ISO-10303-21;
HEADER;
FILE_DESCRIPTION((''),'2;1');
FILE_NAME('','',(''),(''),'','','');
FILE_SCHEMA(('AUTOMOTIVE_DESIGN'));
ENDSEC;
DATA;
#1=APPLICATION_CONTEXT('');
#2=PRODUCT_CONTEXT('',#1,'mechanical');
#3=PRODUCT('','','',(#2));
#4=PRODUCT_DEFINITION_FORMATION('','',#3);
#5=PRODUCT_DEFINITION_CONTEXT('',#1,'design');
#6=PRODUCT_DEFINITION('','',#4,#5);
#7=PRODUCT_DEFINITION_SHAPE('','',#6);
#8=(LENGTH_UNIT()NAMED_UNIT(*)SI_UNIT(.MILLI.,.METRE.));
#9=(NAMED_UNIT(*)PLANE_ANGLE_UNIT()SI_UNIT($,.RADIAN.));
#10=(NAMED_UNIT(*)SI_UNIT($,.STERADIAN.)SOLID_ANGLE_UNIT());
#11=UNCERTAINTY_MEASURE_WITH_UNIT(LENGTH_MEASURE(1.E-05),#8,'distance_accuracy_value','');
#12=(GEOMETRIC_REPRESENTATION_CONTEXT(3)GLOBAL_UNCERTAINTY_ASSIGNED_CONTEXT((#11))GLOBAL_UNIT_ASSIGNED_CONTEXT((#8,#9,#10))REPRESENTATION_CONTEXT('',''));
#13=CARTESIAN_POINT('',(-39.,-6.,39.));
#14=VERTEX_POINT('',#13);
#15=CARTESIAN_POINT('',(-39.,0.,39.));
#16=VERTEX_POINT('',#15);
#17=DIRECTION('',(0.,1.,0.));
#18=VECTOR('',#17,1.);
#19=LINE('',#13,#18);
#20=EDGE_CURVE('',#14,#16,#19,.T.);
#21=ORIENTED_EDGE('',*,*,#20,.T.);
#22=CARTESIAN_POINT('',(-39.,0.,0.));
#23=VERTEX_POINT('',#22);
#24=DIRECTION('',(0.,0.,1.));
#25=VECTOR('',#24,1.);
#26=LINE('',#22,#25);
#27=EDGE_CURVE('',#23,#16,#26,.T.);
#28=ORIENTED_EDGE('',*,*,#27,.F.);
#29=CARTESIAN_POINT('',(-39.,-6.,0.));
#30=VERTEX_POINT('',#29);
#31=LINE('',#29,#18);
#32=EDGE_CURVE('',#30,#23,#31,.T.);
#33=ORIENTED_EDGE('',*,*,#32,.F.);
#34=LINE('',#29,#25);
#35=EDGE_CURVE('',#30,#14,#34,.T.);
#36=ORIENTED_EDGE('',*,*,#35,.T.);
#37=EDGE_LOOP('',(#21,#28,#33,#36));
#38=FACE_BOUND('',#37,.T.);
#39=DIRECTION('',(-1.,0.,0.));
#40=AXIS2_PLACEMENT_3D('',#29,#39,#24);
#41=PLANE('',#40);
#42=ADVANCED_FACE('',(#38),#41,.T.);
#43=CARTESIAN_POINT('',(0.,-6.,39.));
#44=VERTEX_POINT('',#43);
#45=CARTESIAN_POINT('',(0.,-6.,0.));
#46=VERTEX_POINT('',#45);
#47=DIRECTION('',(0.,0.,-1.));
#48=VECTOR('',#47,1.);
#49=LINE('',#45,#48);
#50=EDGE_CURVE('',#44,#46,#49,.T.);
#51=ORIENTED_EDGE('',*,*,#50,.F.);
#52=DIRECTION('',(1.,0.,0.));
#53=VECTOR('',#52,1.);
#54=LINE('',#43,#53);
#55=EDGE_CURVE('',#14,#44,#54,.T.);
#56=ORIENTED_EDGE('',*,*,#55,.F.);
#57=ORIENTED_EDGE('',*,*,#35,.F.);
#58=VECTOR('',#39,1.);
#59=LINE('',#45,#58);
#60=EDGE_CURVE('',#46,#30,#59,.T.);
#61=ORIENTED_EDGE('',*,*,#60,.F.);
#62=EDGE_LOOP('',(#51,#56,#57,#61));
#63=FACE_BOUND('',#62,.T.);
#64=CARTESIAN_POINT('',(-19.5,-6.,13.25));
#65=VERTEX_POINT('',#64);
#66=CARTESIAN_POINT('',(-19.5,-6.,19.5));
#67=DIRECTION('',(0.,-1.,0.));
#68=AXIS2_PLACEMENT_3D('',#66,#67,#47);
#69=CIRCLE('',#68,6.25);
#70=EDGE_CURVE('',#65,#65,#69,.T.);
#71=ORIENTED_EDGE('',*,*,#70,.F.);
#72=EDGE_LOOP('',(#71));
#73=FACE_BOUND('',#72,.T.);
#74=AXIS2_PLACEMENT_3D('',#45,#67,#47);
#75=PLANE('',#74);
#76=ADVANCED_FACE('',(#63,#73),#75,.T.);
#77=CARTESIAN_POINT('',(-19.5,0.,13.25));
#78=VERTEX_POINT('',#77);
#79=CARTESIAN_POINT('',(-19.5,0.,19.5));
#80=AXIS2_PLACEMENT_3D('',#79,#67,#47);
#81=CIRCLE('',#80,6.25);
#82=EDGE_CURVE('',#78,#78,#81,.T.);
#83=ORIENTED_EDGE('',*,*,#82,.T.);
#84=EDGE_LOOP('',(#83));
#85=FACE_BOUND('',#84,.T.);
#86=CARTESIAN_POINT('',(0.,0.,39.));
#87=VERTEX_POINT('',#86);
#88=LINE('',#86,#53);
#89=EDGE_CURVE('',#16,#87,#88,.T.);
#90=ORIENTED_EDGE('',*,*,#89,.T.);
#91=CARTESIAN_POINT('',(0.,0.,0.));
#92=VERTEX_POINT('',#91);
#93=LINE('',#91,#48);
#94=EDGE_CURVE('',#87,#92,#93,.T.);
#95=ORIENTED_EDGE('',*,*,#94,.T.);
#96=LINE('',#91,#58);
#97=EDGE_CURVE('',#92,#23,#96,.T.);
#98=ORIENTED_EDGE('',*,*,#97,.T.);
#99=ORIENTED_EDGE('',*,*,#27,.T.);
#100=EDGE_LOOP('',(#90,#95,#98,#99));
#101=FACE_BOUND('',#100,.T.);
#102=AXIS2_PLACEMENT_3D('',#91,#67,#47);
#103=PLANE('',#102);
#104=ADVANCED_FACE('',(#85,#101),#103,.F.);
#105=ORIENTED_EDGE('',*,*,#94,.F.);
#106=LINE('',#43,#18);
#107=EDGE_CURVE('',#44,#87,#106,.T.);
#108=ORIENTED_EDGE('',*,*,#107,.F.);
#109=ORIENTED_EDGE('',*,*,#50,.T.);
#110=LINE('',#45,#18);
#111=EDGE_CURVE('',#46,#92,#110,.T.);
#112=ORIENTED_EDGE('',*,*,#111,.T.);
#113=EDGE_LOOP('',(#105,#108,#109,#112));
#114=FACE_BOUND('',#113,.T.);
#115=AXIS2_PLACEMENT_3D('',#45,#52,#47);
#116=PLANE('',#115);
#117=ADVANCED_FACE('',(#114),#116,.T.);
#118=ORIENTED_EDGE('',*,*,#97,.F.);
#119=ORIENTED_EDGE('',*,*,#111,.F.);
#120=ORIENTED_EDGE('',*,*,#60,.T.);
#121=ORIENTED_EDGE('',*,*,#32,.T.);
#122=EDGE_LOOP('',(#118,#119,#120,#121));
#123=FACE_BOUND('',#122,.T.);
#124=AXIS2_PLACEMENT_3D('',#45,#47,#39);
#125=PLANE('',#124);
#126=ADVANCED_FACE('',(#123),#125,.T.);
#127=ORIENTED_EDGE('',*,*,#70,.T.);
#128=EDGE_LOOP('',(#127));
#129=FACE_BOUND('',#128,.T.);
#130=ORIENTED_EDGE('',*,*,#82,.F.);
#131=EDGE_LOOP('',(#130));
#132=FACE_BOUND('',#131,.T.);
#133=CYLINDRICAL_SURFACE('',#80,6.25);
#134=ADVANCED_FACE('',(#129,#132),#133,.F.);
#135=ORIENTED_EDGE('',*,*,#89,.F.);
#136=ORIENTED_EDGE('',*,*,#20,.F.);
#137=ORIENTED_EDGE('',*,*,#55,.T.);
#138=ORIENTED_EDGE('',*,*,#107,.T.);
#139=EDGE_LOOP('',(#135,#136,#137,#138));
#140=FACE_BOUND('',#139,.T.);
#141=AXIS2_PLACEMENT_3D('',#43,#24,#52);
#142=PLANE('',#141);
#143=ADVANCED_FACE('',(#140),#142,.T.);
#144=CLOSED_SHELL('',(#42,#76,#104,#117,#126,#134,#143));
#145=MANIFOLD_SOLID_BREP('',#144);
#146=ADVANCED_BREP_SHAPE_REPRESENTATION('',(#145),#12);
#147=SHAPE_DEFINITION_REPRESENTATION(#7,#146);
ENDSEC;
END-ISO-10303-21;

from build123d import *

# Parameters (mm, degrees)
SKETCH2_W           = 39
SKETCH2_H           = 39
BOSS_EXTRUDE2_DEPTH = 6
SKETCH4_R           = 6.25
CUT_EXTRUDE2_DEPTH  = 6


with BuildPart() as part:
    # Sketch2 → Boss-Extrude2 (new body)
    with BuildSketch(Plane(origin=(0, 0, 0), x_dir=(1, 0, 0), z_dir=(0, 1, 0))):
        with Locations((-19.5, -19.5)):
            Rectangle(SKETCH2_W, SKETCH2_H)
    extrude(amount=-BOSS_EXTRUDE2_DEPTH)

    # Sketch4 → Cut-Extrude2 (cut)
    with BuildSketch(Plane.XZ.offset(6)):
        with Locations(Location((-19.5, 19.5, 0), (0, 0, 270))):
            Circle(SKETCH4_R)
    extrude(amount=-CUT_EXTRUDE2_DEPTH, mode=Mode.SUBTRACT)


solid = part.part
